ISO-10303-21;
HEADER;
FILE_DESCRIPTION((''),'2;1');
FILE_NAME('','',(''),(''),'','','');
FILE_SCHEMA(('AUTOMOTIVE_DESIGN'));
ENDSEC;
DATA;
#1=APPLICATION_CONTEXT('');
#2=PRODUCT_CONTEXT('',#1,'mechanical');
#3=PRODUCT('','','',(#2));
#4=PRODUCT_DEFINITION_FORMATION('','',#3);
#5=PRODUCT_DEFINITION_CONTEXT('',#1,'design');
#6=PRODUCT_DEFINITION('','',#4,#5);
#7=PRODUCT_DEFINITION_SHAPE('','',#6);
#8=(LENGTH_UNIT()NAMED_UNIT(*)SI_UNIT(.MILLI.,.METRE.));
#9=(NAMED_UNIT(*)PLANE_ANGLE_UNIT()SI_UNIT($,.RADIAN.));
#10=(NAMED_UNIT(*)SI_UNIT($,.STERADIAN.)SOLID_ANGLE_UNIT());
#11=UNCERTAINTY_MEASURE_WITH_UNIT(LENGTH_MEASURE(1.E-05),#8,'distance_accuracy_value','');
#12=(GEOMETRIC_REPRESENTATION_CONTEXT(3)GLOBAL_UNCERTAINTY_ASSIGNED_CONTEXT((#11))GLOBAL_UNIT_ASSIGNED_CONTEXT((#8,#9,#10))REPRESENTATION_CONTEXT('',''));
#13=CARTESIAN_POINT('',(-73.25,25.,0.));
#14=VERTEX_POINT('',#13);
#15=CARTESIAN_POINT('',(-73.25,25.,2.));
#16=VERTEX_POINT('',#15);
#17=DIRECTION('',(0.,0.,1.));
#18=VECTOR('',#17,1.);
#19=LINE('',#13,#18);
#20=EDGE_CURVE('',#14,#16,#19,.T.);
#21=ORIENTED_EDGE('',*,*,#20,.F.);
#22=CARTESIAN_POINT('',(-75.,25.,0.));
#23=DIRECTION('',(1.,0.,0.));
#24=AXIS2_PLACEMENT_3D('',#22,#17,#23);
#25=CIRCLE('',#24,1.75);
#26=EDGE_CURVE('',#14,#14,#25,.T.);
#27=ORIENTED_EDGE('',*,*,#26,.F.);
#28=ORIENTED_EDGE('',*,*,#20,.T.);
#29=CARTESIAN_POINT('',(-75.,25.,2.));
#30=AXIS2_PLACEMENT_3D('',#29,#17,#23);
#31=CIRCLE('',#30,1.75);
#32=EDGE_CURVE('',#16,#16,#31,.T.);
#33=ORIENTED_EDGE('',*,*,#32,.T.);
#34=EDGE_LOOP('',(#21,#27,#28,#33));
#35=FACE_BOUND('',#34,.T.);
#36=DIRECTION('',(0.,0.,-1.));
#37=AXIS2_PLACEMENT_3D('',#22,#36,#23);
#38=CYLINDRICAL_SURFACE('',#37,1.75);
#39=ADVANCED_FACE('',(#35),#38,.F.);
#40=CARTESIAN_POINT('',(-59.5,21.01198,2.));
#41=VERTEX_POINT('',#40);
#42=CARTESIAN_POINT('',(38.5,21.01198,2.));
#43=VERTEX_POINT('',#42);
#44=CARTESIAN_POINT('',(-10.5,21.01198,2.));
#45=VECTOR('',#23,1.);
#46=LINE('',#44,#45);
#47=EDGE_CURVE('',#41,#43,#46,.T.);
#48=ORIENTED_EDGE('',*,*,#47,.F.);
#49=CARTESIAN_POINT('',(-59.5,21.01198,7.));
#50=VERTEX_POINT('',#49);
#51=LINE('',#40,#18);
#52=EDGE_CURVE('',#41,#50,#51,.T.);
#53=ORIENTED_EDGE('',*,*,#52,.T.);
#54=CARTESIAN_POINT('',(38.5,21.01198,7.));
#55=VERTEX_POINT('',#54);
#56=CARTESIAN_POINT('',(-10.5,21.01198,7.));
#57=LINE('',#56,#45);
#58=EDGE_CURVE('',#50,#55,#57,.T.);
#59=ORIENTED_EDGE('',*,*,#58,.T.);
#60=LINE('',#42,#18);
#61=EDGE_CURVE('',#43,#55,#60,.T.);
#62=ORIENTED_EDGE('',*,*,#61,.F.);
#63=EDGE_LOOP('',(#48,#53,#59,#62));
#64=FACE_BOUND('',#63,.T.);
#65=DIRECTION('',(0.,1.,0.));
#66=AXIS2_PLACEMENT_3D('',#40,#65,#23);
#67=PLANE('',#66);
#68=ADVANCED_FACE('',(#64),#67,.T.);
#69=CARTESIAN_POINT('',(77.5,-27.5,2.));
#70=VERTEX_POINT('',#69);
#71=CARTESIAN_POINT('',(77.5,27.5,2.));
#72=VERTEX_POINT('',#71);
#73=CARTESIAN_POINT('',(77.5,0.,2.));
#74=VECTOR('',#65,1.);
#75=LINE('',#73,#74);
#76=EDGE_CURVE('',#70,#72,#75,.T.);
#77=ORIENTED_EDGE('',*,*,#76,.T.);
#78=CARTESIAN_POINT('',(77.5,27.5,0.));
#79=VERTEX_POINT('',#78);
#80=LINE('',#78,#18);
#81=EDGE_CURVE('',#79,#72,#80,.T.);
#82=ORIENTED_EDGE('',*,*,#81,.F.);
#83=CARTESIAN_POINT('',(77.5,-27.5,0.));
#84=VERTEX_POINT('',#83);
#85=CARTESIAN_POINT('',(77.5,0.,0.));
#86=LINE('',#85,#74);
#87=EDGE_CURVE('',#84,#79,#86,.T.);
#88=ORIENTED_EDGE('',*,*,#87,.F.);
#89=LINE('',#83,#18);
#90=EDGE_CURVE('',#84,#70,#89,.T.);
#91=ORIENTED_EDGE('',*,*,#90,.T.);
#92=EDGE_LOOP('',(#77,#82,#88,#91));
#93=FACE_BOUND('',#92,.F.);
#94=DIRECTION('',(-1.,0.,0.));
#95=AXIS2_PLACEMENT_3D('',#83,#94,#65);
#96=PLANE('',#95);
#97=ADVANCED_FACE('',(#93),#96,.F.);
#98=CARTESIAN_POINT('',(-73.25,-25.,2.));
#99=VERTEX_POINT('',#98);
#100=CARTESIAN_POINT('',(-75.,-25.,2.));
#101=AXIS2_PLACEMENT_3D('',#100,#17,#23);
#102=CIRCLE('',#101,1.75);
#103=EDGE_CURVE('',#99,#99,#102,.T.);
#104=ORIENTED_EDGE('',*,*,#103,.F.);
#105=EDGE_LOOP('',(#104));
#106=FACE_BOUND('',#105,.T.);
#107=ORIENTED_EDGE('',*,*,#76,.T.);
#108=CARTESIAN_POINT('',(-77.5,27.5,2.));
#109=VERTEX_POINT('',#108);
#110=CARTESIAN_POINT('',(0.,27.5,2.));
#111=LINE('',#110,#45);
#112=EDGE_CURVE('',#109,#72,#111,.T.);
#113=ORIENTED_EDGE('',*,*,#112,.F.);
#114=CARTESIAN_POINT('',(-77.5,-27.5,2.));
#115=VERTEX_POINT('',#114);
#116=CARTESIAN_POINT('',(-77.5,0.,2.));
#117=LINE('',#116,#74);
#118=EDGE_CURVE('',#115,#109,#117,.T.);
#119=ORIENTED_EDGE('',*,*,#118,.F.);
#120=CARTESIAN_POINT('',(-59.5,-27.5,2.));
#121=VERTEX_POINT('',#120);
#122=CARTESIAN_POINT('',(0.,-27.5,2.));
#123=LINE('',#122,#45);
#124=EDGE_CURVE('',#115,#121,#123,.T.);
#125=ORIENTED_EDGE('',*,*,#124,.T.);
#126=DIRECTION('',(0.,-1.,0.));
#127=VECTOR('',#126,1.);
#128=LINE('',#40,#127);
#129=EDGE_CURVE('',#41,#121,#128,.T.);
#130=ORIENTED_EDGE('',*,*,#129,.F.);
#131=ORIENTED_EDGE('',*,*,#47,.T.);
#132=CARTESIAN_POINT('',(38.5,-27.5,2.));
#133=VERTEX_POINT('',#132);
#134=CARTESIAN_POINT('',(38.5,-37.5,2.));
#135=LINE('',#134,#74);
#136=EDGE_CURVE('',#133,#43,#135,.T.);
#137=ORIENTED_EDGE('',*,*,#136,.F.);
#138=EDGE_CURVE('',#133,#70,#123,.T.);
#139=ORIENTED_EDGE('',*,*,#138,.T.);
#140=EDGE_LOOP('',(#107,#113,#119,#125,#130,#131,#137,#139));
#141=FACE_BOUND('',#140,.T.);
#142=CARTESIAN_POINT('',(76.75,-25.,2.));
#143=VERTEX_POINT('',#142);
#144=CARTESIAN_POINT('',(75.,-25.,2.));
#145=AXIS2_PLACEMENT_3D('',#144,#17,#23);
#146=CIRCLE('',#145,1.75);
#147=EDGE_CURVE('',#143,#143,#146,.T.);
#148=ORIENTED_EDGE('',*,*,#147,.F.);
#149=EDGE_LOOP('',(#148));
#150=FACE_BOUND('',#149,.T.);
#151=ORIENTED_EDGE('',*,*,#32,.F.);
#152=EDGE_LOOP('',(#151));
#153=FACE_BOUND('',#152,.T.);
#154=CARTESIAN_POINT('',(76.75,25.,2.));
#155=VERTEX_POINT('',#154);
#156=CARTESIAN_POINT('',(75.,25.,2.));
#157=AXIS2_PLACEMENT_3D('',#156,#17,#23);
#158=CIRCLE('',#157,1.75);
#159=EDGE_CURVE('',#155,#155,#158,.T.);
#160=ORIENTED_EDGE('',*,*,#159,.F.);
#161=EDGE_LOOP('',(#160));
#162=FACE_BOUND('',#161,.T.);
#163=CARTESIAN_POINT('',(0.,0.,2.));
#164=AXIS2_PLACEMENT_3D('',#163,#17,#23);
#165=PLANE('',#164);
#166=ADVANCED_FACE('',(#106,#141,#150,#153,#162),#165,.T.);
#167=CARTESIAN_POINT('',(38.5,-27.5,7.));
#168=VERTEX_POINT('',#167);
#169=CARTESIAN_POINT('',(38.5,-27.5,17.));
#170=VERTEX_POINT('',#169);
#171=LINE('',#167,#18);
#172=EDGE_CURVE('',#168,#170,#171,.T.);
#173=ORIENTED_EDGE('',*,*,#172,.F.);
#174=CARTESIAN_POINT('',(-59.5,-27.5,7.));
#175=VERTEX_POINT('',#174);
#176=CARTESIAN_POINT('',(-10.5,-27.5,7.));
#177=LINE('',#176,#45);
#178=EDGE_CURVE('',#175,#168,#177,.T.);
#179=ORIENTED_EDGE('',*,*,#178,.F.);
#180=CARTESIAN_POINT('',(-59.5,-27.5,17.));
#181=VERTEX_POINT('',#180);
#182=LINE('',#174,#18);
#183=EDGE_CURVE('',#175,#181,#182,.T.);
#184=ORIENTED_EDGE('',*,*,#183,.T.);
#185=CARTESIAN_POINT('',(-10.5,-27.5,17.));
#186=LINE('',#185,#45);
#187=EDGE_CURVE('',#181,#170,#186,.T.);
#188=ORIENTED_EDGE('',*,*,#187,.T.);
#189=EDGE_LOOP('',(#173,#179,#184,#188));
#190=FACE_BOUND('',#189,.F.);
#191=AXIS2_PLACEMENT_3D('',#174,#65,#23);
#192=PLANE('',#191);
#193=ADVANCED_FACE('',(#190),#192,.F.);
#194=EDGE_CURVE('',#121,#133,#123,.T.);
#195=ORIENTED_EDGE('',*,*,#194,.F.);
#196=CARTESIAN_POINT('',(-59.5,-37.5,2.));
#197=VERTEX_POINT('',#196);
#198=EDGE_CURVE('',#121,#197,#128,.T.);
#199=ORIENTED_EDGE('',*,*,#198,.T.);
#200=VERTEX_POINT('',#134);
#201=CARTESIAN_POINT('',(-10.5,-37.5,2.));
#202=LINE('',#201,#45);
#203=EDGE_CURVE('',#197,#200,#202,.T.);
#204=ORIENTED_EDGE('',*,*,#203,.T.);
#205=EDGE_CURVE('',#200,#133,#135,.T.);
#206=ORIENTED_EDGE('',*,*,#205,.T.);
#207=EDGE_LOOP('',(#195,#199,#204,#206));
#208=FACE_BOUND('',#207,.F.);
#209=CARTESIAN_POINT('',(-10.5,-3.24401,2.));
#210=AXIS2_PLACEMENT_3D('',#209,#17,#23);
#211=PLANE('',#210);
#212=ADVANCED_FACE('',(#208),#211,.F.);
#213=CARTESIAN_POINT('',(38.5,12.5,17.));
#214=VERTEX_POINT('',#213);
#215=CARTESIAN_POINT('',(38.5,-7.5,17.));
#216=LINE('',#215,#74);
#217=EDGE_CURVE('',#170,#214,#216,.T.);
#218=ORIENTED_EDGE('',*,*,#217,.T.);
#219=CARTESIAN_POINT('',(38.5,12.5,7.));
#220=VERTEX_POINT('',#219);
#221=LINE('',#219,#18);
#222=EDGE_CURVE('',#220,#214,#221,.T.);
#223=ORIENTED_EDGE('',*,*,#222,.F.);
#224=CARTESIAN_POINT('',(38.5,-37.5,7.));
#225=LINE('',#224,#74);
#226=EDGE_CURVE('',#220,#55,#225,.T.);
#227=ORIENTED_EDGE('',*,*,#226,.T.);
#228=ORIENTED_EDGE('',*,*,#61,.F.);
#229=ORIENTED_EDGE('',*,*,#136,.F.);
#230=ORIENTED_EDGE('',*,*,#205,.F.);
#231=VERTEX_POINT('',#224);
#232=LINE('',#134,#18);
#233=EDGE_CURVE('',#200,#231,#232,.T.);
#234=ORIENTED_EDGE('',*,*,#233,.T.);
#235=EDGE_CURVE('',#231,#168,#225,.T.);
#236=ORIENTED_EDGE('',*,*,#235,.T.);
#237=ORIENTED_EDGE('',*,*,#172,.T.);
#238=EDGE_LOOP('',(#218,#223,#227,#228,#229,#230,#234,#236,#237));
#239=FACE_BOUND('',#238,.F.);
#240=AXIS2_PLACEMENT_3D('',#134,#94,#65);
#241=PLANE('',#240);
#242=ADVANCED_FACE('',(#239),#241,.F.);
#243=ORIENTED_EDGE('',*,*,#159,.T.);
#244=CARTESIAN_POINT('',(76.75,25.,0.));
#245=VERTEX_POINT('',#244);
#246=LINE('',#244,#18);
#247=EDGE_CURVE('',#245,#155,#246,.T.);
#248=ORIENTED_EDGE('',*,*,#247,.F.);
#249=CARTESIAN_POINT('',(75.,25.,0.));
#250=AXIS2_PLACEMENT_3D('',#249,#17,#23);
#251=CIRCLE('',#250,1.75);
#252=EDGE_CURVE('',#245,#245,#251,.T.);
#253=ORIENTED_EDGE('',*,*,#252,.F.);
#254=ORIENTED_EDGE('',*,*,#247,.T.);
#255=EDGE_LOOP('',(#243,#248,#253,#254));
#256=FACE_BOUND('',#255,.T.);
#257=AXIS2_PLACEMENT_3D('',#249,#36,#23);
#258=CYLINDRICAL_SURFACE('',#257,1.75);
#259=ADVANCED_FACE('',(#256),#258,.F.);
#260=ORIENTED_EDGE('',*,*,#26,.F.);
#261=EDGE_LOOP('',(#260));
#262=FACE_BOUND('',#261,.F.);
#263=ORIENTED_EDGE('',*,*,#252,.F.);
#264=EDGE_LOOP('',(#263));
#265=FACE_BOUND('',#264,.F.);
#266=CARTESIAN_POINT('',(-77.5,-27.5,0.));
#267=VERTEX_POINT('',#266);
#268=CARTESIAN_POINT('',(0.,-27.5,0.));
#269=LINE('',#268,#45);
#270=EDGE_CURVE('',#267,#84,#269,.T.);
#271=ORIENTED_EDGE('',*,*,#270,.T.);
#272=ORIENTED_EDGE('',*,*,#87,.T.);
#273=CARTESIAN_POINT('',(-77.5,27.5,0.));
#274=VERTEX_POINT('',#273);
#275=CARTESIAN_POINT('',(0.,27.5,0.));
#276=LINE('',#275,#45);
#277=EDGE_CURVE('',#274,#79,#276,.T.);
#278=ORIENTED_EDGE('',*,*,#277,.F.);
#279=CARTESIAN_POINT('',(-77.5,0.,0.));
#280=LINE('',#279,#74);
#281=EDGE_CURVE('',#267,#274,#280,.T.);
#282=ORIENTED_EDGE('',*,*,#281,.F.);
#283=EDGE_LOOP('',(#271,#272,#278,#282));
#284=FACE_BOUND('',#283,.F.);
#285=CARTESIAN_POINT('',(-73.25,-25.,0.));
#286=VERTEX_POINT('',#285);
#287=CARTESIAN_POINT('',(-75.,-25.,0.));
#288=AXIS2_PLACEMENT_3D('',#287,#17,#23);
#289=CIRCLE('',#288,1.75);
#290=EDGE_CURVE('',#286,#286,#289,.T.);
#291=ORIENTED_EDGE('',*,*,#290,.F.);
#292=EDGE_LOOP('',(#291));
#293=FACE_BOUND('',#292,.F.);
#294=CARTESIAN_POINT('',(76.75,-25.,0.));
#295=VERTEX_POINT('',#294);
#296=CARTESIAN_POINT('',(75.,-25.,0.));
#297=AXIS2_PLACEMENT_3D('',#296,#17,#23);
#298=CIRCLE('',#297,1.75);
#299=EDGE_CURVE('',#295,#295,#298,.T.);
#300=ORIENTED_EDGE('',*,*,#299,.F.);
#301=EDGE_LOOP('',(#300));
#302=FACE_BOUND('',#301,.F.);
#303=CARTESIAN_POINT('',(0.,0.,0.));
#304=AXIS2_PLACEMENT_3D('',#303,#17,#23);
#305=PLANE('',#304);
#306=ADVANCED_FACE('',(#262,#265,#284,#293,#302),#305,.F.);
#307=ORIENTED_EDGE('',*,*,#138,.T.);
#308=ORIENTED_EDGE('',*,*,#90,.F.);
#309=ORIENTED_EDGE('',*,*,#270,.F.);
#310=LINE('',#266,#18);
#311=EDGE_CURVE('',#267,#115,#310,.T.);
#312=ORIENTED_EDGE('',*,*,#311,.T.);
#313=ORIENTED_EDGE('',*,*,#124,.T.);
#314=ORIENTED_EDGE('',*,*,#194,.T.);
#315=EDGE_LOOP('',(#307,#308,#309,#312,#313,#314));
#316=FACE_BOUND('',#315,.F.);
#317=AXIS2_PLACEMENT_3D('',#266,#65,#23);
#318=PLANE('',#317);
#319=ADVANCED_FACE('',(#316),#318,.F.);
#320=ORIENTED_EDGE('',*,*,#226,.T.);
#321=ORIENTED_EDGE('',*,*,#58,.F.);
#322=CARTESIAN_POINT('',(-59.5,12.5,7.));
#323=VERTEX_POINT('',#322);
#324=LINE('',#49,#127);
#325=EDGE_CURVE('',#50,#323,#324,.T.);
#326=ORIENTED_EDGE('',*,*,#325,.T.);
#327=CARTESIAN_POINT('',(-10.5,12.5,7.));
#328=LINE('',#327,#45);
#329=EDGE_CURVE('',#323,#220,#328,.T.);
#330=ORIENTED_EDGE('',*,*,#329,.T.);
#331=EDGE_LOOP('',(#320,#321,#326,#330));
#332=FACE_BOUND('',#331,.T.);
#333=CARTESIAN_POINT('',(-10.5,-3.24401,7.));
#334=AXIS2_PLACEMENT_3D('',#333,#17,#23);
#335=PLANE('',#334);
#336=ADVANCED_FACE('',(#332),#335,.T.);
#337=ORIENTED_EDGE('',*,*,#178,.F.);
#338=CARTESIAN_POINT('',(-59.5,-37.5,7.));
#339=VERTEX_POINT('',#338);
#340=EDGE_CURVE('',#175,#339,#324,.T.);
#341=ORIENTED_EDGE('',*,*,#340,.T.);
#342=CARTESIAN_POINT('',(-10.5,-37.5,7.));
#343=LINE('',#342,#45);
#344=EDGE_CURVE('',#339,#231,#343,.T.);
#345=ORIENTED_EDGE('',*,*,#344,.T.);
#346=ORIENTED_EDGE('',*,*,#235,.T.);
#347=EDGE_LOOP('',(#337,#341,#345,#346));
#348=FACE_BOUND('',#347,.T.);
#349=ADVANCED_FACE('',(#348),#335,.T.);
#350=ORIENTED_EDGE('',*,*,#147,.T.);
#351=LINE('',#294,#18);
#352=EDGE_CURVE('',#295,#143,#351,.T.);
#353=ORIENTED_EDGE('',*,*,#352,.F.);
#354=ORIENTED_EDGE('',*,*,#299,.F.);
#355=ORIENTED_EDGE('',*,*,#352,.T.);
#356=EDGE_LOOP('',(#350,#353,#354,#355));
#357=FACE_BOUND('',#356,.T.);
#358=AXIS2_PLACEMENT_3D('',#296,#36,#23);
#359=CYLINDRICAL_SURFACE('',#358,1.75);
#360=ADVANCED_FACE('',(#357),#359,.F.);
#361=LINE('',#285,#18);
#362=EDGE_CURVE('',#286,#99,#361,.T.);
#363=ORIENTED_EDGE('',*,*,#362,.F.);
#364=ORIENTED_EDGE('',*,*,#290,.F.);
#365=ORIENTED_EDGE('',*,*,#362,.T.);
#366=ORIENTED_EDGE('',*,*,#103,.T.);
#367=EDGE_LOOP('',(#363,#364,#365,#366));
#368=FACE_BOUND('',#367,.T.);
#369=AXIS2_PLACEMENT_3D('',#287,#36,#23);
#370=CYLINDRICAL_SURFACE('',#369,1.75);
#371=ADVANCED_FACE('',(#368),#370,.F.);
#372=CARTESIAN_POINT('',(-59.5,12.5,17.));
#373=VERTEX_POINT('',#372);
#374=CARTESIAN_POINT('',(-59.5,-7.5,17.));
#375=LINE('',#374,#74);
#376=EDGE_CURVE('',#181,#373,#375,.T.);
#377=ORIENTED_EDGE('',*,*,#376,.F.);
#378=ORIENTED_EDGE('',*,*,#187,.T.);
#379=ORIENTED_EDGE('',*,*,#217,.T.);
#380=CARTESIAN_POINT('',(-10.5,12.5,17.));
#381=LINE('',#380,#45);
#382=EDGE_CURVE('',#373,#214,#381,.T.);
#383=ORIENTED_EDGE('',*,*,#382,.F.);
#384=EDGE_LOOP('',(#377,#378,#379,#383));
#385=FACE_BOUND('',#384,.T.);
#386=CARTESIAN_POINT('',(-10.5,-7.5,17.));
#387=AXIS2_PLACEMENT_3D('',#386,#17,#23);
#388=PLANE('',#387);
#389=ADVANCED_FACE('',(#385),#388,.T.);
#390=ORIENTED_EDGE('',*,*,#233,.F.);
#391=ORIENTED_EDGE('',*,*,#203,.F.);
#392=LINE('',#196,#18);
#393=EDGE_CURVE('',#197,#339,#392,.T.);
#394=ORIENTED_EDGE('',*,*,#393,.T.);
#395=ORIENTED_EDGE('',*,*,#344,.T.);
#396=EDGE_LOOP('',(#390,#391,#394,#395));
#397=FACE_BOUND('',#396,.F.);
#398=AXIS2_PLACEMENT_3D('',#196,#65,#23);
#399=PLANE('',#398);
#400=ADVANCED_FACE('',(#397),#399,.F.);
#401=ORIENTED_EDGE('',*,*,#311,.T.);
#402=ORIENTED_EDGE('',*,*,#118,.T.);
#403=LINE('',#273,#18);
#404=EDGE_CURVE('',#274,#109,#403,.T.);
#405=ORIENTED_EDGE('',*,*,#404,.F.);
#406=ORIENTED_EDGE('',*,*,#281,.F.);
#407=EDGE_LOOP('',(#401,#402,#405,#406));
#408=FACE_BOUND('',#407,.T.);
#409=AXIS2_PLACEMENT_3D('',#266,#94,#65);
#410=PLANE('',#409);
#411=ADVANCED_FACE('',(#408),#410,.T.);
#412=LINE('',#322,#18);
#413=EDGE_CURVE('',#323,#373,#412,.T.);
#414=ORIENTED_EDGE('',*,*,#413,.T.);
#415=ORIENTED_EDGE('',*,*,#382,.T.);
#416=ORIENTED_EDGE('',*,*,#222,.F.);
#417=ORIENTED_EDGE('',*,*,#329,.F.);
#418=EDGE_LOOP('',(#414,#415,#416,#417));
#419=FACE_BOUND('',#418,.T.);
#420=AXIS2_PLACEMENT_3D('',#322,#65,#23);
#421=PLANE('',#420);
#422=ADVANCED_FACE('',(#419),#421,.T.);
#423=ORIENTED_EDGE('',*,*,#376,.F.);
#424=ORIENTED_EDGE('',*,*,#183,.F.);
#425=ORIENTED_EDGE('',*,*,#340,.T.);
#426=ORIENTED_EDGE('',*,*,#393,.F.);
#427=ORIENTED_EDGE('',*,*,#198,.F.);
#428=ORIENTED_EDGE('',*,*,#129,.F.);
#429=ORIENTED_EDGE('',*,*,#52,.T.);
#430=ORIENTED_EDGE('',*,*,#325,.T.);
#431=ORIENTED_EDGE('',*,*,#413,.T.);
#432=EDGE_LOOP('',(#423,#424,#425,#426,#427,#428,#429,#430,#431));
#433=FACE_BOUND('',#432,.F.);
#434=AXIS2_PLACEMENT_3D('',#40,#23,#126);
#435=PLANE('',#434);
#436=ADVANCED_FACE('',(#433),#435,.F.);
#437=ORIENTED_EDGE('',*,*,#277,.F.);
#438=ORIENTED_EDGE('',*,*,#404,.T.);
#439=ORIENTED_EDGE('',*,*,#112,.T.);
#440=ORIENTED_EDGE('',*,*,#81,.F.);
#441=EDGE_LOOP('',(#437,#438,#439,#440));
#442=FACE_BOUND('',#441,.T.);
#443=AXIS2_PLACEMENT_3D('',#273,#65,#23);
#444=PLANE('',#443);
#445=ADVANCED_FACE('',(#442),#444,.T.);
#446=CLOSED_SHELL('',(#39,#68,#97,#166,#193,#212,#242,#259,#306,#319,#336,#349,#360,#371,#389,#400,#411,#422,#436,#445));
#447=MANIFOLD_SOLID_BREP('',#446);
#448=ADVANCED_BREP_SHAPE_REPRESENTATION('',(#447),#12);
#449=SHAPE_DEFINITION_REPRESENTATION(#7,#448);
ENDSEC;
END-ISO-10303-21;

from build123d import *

# Parameters (mm, degrees)
F0_W     = 155
F0_H     = 55
F0_R     = 1.75
F1_DEPTH = 2
F2_W     = 98
F2_H     = 48.51198
F2_H_2   = 10
F3_DEPTH = 5
F4_W     = 98
F4_H     = 40
F5_DEPTH = 10


with BuildPart() as f1:
    # F0 (on Top) → F1 (new body)
    with BuildSketch(Plane.XY):
        Rectangle(F0_W, F0_H)
        with Locations((-75, -25)):
            Circle(F0_R, mode=Mode.SUBTRACT)
        with Locations((75, -25)):
            Circle(F0_R, mode=Mode.SUBTRACT)
        with Locations((-75, 25)):
            Circle(F0_R, mode=Mode.SUBTRACT)
        with Locations((75, 25)):
            Circle(F0_R, mode=Mode.SUBTRACT)
    extrude(amount=F1_DEPTH)

    # F2 (on face) → F3 (join)
    with BuildSketch(Plane.XY.offset(2)):
        with Locations((-10.5, -3.24401)):
            Rectangle(F2_W, F2_H)
        with Locations((-10.5, -32.5)):
            Rectangle(F2_W, F2_H_2)
    extrude(amount=F3_DEPTH)

    # F4 (on face) → F5 (join)
    with BuildSketch(Plane.XY.offset(7)):
        with Locations((-10.5, -7.5)):
            Rectangle(F4_W, F4_H)
    extrude(amount=F5_DEPTH)


solid = f1.part
